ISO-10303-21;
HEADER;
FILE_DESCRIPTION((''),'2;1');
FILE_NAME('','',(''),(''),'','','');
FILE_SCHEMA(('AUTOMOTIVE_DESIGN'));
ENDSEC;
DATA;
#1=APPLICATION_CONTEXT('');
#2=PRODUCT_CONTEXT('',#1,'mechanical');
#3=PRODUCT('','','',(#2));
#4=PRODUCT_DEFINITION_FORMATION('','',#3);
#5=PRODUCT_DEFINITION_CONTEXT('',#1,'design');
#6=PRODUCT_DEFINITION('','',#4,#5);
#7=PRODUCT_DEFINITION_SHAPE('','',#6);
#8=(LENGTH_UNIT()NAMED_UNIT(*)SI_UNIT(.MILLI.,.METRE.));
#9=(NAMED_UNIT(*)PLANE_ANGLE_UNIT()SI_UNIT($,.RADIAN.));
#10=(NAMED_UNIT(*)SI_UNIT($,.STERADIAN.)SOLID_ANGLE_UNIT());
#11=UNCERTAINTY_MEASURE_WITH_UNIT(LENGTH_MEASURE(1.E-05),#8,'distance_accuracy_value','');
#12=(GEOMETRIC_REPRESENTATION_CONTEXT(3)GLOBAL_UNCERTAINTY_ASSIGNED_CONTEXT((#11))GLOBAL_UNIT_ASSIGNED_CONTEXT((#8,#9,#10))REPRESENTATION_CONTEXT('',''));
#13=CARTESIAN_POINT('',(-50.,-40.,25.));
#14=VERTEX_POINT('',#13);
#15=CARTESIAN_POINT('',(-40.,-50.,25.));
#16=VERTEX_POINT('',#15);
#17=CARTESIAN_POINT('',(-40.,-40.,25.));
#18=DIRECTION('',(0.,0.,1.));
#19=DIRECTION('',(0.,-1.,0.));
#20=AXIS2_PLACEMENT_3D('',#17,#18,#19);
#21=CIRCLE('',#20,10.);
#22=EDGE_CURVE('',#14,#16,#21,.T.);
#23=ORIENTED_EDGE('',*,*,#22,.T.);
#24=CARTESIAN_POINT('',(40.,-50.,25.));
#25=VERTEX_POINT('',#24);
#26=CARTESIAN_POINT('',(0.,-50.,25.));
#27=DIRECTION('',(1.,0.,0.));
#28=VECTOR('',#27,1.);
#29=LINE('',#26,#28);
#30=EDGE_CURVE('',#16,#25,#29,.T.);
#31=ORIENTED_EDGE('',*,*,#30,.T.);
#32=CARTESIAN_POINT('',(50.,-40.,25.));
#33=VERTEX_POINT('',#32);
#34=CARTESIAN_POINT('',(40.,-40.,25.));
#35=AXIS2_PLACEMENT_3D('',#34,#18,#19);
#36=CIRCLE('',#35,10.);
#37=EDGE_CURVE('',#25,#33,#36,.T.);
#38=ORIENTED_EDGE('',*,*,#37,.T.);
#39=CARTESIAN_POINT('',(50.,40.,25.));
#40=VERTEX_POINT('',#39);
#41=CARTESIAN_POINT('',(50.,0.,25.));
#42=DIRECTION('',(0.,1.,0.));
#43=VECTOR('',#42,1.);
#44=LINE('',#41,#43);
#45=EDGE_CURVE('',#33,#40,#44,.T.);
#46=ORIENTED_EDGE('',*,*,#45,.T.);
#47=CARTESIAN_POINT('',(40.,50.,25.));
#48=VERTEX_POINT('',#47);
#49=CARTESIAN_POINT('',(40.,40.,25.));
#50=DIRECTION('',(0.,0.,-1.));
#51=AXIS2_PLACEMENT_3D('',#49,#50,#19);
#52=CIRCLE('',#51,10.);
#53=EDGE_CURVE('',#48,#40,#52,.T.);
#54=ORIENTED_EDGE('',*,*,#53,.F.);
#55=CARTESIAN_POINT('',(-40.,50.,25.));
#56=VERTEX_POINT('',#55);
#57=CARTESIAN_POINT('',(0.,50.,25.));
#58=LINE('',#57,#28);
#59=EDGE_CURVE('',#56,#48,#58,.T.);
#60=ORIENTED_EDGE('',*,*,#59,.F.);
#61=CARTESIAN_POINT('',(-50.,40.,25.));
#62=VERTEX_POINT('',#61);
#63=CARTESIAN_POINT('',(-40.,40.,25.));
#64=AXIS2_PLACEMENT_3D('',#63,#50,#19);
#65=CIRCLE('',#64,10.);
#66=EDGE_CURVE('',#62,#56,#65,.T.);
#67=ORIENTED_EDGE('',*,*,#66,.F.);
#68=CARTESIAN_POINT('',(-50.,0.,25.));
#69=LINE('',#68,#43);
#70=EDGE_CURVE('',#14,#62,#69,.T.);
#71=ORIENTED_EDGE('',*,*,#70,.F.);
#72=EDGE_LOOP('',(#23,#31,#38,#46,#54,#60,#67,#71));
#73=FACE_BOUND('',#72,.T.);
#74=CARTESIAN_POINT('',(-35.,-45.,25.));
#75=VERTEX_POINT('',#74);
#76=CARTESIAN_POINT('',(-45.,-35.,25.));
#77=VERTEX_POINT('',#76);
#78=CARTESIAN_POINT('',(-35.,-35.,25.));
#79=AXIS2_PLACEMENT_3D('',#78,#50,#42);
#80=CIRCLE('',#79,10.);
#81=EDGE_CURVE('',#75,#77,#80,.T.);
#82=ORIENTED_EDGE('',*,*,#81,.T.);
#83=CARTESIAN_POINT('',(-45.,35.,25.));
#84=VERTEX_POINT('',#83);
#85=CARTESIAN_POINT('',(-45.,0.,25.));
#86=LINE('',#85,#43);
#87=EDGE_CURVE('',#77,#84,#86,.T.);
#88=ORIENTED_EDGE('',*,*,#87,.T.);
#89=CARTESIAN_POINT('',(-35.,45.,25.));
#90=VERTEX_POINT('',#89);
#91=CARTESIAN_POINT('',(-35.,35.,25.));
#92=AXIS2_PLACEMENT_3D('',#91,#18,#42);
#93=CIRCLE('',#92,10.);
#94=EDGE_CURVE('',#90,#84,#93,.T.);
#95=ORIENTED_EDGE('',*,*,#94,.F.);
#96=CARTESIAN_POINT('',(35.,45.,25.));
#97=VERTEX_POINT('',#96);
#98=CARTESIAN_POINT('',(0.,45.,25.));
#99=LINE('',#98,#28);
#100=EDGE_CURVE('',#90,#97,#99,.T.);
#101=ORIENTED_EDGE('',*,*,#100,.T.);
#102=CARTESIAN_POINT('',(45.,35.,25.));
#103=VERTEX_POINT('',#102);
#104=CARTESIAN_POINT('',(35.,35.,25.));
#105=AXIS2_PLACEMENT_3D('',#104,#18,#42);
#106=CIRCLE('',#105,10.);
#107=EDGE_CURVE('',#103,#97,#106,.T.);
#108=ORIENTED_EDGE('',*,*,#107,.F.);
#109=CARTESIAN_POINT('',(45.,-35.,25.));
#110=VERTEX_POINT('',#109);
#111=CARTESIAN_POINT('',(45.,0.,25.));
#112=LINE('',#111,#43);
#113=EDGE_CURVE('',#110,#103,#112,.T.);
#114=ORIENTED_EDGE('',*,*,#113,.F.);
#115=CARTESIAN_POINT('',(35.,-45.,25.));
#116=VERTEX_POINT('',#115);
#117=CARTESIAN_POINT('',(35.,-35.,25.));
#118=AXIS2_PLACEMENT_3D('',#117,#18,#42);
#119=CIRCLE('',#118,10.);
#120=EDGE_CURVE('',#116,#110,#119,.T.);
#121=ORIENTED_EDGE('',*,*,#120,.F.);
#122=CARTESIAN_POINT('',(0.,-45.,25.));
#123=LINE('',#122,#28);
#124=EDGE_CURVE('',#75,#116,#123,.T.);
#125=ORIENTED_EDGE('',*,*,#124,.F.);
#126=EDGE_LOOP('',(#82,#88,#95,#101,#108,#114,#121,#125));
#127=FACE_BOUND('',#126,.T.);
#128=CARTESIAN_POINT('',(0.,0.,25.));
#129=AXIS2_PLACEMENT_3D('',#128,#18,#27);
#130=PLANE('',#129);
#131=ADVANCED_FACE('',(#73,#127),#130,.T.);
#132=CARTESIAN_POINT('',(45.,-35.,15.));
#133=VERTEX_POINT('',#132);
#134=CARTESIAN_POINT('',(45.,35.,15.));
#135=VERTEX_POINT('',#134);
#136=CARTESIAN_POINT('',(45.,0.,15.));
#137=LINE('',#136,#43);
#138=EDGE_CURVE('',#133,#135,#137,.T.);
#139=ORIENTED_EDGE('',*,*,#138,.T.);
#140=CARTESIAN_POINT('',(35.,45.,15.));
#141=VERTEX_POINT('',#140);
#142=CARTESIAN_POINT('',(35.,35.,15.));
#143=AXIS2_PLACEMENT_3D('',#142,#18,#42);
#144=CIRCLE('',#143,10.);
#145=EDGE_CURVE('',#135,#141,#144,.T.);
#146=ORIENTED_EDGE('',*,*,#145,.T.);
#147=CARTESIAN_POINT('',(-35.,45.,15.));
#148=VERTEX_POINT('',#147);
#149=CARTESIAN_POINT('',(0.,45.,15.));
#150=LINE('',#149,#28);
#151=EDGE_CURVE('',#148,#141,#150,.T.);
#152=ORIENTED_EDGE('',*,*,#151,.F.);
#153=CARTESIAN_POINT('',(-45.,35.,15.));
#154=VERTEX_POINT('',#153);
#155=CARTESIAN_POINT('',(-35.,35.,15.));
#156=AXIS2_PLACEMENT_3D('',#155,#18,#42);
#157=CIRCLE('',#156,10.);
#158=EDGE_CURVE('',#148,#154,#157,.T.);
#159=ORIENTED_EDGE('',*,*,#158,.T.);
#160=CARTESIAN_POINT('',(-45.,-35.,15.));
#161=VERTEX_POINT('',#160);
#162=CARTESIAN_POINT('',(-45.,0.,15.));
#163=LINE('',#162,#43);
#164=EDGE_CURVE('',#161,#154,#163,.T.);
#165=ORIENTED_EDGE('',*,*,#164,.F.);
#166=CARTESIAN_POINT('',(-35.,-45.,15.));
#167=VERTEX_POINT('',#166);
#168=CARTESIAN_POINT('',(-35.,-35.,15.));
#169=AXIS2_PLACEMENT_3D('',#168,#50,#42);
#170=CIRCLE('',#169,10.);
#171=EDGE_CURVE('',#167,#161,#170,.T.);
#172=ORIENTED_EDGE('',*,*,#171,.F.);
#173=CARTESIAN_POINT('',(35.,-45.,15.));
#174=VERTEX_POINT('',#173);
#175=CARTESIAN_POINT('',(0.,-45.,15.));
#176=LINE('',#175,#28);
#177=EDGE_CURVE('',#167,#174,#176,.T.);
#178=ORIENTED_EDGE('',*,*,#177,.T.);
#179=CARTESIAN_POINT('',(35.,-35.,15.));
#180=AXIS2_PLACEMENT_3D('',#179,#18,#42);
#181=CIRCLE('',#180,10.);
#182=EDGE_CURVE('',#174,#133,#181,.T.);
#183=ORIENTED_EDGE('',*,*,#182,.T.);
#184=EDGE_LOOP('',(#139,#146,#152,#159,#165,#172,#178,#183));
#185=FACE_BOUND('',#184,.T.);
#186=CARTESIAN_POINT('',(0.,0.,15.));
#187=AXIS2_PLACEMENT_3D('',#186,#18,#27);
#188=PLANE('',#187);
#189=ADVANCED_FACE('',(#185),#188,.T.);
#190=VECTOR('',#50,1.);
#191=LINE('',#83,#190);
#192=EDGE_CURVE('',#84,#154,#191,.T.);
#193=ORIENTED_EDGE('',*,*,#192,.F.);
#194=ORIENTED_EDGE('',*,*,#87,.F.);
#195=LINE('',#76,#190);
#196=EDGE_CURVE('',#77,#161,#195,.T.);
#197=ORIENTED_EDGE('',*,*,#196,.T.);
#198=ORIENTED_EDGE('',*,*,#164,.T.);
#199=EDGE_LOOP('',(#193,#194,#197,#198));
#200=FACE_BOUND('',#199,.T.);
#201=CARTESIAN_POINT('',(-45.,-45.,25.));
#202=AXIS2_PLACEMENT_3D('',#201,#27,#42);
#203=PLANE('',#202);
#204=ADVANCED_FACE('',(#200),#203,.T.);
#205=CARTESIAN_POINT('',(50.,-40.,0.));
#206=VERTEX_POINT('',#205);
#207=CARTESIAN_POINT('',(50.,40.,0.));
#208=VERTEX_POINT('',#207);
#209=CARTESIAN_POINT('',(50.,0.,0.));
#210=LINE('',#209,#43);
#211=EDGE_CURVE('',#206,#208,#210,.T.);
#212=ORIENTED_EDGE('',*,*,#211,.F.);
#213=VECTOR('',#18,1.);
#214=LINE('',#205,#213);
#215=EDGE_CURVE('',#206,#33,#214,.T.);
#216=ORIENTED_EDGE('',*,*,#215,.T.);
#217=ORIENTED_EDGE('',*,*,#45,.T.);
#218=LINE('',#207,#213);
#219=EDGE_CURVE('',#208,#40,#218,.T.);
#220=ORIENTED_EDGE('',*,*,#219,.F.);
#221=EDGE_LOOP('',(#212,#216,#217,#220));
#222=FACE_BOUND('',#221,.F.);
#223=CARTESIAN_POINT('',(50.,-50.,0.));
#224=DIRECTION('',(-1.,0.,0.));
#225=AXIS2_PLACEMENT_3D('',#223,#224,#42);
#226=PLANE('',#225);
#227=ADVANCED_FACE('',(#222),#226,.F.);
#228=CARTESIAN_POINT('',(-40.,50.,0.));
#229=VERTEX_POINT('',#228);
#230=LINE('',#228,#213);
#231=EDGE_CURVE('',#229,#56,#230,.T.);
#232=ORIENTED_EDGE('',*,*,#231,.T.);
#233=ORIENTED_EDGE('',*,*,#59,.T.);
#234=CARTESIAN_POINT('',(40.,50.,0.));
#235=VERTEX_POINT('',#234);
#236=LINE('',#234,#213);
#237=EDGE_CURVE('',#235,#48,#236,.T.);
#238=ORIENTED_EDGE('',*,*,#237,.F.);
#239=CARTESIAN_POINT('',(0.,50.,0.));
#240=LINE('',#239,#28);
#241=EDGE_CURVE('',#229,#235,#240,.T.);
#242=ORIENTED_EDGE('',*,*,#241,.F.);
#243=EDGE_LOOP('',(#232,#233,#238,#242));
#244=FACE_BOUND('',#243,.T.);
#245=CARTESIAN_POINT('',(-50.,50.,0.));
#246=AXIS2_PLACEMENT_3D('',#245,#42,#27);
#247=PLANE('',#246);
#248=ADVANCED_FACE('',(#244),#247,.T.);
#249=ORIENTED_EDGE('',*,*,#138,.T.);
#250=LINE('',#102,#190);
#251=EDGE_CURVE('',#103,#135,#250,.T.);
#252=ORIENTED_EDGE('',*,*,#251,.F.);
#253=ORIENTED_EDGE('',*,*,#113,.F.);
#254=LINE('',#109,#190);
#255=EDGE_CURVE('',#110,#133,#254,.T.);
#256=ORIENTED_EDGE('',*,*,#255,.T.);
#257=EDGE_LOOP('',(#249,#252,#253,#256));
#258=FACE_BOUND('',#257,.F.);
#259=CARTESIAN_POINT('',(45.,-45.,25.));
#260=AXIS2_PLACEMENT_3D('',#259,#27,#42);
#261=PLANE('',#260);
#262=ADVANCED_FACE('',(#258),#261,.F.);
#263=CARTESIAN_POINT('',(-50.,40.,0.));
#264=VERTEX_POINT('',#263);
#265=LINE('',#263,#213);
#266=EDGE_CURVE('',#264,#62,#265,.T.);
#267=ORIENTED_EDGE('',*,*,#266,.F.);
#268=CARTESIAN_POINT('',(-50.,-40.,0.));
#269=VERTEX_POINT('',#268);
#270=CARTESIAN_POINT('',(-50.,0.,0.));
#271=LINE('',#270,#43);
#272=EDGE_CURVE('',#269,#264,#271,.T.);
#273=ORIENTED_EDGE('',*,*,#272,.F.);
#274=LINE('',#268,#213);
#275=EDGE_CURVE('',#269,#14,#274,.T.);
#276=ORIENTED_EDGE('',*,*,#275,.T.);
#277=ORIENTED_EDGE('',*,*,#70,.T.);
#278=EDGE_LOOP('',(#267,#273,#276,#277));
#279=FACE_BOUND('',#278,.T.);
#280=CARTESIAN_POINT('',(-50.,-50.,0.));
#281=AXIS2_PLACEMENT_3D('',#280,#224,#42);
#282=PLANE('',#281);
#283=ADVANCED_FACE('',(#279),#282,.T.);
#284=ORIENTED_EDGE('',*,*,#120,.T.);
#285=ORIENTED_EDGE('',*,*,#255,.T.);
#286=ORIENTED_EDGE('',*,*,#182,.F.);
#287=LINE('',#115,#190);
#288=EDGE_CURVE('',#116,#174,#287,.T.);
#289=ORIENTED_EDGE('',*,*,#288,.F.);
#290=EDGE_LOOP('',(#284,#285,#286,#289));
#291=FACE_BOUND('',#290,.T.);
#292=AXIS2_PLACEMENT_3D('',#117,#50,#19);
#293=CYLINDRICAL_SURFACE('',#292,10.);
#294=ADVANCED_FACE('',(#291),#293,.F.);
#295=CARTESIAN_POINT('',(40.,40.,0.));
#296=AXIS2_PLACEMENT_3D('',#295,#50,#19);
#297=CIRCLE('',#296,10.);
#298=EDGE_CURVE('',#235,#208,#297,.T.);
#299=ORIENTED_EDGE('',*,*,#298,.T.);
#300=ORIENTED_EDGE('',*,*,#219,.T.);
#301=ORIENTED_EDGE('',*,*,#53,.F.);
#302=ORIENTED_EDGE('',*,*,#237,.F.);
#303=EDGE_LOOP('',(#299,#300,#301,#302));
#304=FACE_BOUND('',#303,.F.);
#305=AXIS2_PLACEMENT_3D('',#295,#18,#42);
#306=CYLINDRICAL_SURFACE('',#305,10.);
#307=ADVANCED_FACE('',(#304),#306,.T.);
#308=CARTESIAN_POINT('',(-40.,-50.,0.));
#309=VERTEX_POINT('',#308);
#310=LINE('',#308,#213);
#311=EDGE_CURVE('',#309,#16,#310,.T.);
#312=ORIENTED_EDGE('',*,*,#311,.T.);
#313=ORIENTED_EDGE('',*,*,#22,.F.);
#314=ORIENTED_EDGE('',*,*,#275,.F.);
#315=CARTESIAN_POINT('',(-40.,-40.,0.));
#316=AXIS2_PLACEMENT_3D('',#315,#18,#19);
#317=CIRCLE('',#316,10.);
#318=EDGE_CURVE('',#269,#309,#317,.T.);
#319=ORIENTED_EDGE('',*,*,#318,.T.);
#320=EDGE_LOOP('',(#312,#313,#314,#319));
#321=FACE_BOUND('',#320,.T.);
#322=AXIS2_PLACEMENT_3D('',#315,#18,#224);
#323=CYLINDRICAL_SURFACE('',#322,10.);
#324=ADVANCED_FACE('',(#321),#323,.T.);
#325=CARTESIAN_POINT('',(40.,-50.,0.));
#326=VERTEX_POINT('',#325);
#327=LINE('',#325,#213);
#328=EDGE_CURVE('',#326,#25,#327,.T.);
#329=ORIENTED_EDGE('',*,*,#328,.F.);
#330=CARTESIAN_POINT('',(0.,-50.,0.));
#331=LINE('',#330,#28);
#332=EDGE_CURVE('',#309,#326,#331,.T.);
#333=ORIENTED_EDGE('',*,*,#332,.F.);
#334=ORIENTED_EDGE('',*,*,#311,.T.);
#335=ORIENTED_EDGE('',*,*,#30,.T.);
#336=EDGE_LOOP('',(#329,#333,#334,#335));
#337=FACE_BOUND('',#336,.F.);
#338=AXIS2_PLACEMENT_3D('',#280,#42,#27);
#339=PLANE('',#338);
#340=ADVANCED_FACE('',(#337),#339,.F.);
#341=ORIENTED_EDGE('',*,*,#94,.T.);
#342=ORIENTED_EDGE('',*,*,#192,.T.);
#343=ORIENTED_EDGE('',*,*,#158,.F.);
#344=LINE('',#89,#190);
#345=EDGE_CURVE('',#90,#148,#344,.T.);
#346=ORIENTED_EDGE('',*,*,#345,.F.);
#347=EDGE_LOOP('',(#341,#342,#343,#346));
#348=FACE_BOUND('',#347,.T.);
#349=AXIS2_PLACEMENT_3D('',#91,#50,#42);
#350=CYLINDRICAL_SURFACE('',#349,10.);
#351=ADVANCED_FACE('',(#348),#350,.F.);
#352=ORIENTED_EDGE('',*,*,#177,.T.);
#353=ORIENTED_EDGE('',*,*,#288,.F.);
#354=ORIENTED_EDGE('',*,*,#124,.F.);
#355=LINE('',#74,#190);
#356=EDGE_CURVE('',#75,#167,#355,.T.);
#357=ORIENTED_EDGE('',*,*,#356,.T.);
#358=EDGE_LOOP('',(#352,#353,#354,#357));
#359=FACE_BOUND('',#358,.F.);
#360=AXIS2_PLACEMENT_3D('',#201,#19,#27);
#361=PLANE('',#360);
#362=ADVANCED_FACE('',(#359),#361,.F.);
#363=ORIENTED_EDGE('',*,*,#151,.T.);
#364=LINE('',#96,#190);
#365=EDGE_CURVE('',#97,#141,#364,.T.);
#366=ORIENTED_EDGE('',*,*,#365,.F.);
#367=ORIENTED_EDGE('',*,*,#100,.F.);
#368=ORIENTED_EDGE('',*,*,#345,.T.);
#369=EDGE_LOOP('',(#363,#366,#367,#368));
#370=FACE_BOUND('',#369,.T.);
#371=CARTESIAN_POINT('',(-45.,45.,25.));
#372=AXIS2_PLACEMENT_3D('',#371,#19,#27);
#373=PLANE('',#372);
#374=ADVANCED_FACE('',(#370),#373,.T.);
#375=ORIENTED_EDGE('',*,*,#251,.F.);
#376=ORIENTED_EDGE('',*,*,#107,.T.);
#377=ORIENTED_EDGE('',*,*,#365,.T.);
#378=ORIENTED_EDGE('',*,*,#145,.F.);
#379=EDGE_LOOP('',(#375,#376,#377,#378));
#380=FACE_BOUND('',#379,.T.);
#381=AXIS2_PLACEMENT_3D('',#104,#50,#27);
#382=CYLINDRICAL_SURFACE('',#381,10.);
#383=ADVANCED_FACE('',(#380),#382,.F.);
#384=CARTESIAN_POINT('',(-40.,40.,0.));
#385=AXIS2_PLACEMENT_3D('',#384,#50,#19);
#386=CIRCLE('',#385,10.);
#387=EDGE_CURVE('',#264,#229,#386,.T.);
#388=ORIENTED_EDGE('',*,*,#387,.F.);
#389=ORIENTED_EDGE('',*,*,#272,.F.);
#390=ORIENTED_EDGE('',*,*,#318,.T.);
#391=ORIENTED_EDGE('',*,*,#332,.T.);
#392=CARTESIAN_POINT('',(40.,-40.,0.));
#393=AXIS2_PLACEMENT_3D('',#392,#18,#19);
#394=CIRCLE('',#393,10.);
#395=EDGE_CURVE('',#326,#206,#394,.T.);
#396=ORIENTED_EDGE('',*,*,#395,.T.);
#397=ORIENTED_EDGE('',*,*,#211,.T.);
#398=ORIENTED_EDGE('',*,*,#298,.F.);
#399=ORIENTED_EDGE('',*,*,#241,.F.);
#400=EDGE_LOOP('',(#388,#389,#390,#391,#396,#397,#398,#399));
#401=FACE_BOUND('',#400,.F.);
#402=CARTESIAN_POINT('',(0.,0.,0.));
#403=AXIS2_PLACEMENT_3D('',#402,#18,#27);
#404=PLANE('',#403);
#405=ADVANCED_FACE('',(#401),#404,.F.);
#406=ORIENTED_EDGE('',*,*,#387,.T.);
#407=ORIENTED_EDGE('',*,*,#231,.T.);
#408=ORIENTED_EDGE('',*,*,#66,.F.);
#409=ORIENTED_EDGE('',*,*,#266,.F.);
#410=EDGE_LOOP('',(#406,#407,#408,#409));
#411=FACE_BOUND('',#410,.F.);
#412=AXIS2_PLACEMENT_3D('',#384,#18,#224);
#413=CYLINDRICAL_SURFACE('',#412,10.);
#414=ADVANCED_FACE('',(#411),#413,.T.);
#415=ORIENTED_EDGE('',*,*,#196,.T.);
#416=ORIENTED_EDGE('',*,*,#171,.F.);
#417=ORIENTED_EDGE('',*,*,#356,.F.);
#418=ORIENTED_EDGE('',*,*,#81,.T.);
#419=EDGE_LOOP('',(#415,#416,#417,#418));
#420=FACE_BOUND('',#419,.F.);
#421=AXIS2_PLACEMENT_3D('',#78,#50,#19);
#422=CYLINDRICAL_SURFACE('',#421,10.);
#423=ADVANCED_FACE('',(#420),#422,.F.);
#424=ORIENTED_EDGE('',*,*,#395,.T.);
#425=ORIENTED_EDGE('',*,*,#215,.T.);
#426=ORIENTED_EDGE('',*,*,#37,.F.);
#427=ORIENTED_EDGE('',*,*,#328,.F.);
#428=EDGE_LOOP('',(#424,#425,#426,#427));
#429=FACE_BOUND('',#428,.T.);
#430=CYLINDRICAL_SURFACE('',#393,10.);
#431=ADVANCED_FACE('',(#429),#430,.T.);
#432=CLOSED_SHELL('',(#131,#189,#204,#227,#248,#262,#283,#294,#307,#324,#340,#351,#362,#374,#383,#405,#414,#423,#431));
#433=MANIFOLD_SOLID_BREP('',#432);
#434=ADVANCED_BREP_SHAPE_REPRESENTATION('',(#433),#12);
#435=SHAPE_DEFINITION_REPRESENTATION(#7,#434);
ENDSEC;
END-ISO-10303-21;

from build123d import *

# Parameters (mm, degrees)
F0_W     = 100
F0_H     = 100
F1_DEPTH = 25
F2_W     = 90
F2_H     = 90
F3_DEPTH = 10
F4_R     = 10


with BuildPart() as f1:
    # F0 (on Top) → F1 (new body)
    with BuildSketch(Plane.XY):
        Rectangle(F0_W, F0_H)
    extrude(amount=F1_DEPTH)

    # F2 (on face) → F3 (cut)
    with BuildSketch(Plane.XY.offset(25)):
        Rectangle(F2_W, F2_H)
    extrude(amount=-F3_DEPTH, mode=Mode.SUBTRACT)

    # F4
    f4_edges = [f1.edges().sort_by_distance(p)[0] for p in [
        (50, 50, 12.5),
        (45, 45, 20),
        (-45, 45, 20),
        (-50, 50, 12.5),
        (-50, -50, 12.5),
        (-45, -45, 20),
        (50, -50, 12.5),
        (45, -45, 20),
    ]]
    fillet(f4_edges, radius=F4_R)


solid = f1.part
